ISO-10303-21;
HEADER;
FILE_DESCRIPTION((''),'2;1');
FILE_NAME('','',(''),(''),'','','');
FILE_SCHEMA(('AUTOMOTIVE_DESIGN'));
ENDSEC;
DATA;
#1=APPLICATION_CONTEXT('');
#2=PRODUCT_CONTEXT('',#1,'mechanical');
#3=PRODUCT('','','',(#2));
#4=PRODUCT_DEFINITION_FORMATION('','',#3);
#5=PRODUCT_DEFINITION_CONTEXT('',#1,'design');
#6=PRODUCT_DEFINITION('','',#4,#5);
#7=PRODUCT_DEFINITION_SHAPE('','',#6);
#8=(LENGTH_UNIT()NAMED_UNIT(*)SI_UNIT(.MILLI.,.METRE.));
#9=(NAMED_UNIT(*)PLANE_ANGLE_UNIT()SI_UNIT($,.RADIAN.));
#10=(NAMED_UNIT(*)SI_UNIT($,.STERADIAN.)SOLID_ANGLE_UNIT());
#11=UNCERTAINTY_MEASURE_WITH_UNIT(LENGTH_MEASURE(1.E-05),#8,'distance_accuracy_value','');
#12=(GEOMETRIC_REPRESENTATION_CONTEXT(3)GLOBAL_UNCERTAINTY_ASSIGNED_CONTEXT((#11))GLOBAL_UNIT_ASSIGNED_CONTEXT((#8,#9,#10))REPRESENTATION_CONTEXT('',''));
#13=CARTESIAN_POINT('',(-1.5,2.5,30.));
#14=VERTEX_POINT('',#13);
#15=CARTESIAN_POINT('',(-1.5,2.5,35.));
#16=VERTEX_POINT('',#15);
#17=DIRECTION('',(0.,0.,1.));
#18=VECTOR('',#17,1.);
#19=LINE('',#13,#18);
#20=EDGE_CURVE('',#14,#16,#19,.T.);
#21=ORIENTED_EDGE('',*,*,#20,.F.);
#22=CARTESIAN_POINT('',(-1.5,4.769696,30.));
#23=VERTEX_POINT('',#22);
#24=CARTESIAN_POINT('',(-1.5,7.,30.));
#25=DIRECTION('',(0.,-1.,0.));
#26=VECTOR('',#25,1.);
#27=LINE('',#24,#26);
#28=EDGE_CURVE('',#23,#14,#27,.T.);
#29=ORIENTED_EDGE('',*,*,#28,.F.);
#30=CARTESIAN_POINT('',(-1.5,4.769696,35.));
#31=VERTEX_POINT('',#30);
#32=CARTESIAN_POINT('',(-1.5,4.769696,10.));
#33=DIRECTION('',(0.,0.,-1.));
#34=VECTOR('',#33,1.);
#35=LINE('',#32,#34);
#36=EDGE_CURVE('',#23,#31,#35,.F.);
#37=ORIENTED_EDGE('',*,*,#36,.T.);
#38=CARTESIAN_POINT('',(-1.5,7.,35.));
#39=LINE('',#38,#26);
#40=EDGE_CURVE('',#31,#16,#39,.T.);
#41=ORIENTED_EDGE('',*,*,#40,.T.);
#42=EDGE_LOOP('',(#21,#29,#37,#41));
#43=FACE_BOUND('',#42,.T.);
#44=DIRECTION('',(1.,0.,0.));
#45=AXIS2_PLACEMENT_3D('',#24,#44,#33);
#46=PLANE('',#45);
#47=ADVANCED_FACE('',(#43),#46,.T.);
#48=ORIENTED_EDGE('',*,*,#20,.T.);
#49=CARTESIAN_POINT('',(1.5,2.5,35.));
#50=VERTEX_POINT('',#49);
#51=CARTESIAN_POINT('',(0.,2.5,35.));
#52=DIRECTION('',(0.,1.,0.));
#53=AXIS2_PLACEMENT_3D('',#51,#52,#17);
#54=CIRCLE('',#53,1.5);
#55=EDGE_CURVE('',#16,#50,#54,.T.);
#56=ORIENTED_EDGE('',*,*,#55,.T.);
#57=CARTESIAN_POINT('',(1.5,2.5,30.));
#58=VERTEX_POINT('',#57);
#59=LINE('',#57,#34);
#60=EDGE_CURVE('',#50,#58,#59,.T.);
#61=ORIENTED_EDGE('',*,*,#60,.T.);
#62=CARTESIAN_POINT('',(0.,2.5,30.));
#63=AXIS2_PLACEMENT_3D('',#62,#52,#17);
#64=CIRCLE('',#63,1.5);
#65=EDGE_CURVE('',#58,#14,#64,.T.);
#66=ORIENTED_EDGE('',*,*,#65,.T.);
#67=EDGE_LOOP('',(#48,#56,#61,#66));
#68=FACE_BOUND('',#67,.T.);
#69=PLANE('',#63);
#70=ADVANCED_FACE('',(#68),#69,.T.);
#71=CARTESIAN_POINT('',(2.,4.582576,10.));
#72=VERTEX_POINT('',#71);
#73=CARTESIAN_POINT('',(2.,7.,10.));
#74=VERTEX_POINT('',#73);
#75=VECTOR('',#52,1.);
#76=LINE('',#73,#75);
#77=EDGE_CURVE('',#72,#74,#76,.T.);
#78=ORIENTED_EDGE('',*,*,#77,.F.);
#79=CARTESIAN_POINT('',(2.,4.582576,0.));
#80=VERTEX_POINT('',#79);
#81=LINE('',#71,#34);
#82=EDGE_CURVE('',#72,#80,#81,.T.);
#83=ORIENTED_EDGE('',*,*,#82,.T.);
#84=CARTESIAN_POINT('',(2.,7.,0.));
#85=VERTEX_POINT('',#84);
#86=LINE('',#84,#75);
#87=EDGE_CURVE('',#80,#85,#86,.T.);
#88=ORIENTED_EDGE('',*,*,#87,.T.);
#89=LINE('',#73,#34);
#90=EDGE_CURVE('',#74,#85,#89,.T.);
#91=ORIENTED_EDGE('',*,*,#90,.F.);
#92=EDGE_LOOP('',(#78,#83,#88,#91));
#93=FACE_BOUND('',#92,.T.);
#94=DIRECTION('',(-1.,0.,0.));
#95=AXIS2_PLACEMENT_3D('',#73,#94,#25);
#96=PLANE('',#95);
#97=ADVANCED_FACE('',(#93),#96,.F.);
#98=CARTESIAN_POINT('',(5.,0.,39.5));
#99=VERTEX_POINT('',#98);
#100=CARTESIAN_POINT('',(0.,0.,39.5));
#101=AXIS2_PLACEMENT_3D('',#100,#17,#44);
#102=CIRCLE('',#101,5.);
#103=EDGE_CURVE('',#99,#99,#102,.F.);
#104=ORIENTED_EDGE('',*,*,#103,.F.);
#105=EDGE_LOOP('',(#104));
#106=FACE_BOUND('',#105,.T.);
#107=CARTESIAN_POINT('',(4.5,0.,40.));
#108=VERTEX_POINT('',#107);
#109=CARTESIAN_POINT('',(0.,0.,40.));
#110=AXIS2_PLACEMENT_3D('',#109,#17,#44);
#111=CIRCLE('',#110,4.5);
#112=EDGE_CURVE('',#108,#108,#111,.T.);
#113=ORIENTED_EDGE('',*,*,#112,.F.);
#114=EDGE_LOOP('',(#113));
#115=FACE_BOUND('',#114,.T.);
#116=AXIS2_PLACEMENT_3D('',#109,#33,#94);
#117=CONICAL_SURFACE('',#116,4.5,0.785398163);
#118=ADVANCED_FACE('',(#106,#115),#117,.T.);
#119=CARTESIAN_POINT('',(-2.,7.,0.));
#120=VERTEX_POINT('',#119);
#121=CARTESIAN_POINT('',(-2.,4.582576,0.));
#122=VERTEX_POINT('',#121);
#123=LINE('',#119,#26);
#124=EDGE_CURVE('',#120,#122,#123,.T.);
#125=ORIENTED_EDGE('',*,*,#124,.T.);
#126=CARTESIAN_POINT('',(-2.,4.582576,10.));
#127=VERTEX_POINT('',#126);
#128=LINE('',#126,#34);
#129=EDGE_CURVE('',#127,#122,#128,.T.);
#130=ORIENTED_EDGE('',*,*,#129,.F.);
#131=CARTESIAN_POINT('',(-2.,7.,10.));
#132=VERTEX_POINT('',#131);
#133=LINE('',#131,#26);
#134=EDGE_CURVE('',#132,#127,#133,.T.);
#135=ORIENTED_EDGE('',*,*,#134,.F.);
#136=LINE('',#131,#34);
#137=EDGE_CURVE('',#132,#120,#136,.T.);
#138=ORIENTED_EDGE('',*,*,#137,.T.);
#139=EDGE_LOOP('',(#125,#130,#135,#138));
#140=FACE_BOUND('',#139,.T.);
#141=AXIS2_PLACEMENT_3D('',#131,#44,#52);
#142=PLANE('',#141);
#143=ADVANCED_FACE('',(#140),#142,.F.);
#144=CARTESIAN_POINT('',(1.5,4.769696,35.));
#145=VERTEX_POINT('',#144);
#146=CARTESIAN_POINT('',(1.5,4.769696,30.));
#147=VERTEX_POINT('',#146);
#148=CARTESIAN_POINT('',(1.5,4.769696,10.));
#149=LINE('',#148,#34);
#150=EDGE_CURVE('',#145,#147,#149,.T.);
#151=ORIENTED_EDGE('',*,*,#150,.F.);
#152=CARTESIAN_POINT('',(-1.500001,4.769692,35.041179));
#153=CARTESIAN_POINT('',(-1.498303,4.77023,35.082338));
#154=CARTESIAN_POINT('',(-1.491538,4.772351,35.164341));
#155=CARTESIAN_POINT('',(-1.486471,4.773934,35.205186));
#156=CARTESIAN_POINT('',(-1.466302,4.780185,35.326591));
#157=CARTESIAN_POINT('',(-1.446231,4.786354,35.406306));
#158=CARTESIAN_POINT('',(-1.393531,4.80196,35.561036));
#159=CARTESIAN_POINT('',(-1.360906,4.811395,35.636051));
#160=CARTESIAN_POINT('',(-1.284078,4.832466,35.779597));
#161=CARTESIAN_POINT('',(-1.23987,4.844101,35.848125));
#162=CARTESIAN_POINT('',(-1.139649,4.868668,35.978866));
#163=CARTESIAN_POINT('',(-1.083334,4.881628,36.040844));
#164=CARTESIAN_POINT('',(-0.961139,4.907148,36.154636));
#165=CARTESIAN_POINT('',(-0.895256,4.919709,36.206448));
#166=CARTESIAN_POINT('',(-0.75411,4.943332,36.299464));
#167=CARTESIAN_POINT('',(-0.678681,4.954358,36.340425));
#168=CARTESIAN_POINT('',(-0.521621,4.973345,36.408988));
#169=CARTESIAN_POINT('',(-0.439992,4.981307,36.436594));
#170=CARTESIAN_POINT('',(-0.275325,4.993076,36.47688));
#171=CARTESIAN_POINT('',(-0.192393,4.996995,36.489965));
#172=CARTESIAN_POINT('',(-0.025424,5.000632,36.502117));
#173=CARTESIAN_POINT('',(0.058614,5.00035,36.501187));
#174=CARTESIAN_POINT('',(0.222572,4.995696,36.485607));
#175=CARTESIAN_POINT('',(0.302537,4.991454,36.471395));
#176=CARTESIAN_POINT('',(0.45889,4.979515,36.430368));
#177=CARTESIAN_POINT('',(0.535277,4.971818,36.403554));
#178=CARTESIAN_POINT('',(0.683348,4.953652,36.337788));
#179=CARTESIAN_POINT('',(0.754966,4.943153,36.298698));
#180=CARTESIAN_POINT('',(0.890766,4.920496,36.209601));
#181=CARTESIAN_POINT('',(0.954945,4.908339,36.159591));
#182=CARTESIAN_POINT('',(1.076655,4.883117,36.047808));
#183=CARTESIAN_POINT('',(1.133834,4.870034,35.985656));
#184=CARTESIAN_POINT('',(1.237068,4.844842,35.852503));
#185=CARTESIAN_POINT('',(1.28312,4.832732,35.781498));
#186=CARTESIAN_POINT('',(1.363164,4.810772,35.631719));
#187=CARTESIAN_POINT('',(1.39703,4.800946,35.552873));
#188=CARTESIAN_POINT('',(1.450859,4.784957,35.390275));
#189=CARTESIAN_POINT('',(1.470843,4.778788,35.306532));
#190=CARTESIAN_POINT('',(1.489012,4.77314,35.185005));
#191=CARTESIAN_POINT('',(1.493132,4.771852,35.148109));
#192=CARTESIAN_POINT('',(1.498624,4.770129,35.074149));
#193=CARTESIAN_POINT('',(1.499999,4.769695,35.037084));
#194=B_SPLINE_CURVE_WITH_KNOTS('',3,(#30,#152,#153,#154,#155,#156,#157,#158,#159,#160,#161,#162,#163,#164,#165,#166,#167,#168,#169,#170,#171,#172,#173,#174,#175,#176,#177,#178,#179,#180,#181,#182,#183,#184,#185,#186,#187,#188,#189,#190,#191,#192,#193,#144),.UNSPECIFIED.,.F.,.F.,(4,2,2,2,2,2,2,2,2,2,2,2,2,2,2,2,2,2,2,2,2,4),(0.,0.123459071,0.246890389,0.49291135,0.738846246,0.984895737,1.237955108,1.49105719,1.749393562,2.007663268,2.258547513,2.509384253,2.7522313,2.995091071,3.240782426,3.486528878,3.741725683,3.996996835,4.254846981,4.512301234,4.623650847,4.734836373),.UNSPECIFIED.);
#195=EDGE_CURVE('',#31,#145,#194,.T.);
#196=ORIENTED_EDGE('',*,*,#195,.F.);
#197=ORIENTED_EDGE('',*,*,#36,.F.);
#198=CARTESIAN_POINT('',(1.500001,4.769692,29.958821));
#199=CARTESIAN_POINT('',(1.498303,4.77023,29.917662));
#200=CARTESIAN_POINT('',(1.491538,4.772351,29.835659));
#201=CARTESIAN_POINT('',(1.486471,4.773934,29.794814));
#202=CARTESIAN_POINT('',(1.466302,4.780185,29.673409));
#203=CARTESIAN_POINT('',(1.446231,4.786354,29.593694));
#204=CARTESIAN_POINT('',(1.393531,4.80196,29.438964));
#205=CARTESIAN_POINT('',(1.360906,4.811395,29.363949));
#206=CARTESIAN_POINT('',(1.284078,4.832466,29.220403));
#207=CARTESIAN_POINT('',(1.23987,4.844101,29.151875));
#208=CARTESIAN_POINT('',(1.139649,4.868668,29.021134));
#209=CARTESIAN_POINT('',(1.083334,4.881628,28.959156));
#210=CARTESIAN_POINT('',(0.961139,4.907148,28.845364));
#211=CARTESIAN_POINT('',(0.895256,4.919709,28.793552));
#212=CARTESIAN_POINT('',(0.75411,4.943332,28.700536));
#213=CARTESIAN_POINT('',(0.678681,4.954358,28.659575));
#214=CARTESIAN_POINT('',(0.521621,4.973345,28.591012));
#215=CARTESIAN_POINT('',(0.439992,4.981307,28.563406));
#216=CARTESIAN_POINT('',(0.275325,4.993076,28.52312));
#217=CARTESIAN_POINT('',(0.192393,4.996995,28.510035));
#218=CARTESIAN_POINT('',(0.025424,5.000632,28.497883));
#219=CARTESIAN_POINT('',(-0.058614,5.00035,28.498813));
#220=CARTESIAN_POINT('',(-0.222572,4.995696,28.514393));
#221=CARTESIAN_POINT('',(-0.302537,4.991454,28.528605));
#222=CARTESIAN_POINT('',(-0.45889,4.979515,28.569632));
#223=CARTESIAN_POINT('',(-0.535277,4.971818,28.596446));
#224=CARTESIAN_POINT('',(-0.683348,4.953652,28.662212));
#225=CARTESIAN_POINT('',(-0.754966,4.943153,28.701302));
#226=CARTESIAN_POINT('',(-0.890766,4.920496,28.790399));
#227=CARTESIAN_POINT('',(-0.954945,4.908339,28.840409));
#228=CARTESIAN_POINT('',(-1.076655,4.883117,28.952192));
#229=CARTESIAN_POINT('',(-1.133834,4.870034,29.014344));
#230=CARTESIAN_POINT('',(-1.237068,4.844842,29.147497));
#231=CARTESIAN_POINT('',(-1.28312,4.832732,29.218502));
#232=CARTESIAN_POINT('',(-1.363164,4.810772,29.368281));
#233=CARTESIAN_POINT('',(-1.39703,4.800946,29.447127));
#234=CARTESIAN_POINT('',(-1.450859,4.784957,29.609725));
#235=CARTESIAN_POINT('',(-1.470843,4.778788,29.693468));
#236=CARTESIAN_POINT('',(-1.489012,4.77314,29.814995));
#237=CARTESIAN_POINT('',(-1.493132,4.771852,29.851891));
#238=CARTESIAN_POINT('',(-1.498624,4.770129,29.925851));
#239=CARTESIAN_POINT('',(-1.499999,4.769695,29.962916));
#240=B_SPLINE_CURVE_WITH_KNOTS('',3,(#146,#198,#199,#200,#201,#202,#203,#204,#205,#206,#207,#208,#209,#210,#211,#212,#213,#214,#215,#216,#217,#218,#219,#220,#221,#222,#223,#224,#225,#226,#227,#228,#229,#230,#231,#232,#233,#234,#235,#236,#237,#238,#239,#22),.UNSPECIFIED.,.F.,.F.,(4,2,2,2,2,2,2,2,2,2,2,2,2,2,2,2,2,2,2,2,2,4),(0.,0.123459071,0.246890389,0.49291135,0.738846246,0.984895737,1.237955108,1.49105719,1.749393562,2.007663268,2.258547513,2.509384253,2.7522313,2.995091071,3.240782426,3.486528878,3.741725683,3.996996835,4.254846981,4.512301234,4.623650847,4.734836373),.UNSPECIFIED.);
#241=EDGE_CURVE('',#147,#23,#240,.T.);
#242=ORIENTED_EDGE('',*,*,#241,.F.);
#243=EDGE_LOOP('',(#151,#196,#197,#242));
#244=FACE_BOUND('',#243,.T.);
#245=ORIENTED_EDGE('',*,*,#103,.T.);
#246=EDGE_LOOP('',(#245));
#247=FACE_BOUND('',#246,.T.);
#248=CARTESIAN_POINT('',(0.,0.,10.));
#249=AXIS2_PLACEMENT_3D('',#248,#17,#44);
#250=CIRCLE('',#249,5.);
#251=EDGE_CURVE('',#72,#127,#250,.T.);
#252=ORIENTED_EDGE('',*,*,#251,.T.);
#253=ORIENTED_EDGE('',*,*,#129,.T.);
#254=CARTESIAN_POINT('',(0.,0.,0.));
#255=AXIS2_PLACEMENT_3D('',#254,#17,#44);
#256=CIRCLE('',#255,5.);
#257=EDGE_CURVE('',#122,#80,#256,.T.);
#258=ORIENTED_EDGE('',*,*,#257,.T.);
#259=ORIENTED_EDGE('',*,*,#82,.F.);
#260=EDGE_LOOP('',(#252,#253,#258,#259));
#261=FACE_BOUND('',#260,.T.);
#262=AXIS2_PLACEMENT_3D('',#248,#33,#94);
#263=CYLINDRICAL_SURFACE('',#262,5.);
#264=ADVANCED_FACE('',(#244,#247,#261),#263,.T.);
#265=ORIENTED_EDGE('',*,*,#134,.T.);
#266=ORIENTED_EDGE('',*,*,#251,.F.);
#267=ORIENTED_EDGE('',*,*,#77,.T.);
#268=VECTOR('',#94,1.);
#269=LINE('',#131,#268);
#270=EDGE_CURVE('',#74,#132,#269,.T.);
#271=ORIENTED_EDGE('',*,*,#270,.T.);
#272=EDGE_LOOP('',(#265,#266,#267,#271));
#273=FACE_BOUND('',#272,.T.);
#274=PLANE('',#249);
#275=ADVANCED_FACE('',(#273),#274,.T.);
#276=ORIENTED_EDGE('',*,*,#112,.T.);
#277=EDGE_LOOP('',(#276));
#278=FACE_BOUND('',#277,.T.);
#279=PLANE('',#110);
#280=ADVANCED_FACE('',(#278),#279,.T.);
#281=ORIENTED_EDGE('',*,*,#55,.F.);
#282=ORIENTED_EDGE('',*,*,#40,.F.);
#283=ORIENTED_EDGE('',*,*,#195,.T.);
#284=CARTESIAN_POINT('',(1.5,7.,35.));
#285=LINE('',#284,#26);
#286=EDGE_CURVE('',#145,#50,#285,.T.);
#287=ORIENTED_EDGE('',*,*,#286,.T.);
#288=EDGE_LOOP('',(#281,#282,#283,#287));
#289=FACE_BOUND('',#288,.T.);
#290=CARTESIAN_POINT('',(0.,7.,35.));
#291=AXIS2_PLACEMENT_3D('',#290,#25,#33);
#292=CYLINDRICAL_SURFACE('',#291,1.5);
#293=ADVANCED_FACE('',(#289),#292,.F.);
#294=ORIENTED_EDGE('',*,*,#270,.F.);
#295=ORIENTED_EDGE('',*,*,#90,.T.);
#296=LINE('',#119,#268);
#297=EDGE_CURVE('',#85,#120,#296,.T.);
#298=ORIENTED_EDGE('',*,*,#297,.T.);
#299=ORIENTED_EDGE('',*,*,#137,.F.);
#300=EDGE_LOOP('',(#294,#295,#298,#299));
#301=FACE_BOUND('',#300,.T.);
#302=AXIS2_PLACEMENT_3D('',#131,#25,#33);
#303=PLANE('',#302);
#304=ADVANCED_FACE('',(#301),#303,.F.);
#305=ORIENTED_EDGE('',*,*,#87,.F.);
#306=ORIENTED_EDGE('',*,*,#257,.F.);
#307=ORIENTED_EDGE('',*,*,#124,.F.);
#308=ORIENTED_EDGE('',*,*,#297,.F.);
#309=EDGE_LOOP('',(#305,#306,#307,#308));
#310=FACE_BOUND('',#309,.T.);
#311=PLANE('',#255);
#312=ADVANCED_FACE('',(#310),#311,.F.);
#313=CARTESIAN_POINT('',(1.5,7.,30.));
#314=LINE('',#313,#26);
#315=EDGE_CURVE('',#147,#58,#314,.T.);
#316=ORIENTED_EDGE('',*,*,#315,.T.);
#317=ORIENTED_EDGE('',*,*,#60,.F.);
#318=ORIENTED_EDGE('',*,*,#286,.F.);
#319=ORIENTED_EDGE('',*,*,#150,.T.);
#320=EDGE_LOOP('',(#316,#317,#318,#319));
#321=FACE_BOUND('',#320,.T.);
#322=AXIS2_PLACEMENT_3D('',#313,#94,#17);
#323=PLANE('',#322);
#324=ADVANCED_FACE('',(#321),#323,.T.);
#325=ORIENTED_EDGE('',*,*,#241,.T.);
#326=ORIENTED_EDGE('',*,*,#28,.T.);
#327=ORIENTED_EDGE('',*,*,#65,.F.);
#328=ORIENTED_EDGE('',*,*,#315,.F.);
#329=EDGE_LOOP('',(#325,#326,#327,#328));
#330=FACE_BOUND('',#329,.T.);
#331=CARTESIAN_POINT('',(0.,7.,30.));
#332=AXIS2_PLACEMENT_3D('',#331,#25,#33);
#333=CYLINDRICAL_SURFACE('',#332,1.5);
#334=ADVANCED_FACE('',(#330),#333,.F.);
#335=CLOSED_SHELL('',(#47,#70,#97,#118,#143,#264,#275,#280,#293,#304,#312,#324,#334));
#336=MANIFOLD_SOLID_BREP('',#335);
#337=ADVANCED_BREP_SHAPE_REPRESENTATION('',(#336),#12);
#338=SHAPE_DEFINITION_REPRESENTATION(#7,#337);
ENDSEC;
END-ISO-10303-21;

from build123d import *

# Parameters (mm, degrees)
BOSS_EXTRUDE1_DEPTH = 10
SKETCH2_R           = 5
BOSS_EXTRUDE2_DEPTH = 30
CUT_EXTRUDE2_START  = 2.5
CUT_EXTRUDE2_DEPTH  = 39.414545091
CHAMFER2_SIZE       = 0.5


with BuildPart() as part:
    # Sketch1 → Boss-Extrude1 (new body)
    with BuildSketch(Plane.XY):
        with BuildLine():
            Line((-2, 7), (2, 7))
            Line((2, 7), (2, 4.582575695))
            ThreePointArc((2, 4.582575695), (0, -5), (-2, 4.582575695))
            Line((-2, 4.582575695), (-2, 7))
        make_face()
    extrude(amount=BOSS_EXTRUDE1_DEPTH)

    # Sketch2 → Boss-Extrude2 (add)
    with BuildSketch(Plane.XY.offset(10)):
        with Locations(Location((0, 0, 0), (0, 0, 113.578178478))):
            Circle(SKETCH2_R)
    extrude(amount=BOSS_EXTRUDE2_DEPTH)

    # Sketch3 → Cut-Extrude2 (cut, through all)
    with BuildSketch(Plane(origin=(0, 0, 0), x_dir=(1, 0, 0), z_dir=(0, 1, 0)).offset(CUT_EXTRUDE2_START)):
        with BuildLine():
            Line((1.5, -30), (1.5, -35))
            ThreePointArc((1.5, -35), (0, -36.5), (-1.5, -35))
            Line((-1.5, -35), (-1.5, -30))
            ThreePointArc((-1.5, -30), (0, -28.5), (1.5, -30))
        make_face()
    extrude(amount=CUT_EXTRUDE2_DEPTH, mode=Mode.SUBTRACT)

    # Chamfer2
    chamfer2_edges = [part.edges().sort_by_distance(p)[0] for p in [
        (2, -4.582575695, 40),
    ]]
    chamfer(chamfer2_edges, length=CHAMFER2_SIZE)


solid = part.part
